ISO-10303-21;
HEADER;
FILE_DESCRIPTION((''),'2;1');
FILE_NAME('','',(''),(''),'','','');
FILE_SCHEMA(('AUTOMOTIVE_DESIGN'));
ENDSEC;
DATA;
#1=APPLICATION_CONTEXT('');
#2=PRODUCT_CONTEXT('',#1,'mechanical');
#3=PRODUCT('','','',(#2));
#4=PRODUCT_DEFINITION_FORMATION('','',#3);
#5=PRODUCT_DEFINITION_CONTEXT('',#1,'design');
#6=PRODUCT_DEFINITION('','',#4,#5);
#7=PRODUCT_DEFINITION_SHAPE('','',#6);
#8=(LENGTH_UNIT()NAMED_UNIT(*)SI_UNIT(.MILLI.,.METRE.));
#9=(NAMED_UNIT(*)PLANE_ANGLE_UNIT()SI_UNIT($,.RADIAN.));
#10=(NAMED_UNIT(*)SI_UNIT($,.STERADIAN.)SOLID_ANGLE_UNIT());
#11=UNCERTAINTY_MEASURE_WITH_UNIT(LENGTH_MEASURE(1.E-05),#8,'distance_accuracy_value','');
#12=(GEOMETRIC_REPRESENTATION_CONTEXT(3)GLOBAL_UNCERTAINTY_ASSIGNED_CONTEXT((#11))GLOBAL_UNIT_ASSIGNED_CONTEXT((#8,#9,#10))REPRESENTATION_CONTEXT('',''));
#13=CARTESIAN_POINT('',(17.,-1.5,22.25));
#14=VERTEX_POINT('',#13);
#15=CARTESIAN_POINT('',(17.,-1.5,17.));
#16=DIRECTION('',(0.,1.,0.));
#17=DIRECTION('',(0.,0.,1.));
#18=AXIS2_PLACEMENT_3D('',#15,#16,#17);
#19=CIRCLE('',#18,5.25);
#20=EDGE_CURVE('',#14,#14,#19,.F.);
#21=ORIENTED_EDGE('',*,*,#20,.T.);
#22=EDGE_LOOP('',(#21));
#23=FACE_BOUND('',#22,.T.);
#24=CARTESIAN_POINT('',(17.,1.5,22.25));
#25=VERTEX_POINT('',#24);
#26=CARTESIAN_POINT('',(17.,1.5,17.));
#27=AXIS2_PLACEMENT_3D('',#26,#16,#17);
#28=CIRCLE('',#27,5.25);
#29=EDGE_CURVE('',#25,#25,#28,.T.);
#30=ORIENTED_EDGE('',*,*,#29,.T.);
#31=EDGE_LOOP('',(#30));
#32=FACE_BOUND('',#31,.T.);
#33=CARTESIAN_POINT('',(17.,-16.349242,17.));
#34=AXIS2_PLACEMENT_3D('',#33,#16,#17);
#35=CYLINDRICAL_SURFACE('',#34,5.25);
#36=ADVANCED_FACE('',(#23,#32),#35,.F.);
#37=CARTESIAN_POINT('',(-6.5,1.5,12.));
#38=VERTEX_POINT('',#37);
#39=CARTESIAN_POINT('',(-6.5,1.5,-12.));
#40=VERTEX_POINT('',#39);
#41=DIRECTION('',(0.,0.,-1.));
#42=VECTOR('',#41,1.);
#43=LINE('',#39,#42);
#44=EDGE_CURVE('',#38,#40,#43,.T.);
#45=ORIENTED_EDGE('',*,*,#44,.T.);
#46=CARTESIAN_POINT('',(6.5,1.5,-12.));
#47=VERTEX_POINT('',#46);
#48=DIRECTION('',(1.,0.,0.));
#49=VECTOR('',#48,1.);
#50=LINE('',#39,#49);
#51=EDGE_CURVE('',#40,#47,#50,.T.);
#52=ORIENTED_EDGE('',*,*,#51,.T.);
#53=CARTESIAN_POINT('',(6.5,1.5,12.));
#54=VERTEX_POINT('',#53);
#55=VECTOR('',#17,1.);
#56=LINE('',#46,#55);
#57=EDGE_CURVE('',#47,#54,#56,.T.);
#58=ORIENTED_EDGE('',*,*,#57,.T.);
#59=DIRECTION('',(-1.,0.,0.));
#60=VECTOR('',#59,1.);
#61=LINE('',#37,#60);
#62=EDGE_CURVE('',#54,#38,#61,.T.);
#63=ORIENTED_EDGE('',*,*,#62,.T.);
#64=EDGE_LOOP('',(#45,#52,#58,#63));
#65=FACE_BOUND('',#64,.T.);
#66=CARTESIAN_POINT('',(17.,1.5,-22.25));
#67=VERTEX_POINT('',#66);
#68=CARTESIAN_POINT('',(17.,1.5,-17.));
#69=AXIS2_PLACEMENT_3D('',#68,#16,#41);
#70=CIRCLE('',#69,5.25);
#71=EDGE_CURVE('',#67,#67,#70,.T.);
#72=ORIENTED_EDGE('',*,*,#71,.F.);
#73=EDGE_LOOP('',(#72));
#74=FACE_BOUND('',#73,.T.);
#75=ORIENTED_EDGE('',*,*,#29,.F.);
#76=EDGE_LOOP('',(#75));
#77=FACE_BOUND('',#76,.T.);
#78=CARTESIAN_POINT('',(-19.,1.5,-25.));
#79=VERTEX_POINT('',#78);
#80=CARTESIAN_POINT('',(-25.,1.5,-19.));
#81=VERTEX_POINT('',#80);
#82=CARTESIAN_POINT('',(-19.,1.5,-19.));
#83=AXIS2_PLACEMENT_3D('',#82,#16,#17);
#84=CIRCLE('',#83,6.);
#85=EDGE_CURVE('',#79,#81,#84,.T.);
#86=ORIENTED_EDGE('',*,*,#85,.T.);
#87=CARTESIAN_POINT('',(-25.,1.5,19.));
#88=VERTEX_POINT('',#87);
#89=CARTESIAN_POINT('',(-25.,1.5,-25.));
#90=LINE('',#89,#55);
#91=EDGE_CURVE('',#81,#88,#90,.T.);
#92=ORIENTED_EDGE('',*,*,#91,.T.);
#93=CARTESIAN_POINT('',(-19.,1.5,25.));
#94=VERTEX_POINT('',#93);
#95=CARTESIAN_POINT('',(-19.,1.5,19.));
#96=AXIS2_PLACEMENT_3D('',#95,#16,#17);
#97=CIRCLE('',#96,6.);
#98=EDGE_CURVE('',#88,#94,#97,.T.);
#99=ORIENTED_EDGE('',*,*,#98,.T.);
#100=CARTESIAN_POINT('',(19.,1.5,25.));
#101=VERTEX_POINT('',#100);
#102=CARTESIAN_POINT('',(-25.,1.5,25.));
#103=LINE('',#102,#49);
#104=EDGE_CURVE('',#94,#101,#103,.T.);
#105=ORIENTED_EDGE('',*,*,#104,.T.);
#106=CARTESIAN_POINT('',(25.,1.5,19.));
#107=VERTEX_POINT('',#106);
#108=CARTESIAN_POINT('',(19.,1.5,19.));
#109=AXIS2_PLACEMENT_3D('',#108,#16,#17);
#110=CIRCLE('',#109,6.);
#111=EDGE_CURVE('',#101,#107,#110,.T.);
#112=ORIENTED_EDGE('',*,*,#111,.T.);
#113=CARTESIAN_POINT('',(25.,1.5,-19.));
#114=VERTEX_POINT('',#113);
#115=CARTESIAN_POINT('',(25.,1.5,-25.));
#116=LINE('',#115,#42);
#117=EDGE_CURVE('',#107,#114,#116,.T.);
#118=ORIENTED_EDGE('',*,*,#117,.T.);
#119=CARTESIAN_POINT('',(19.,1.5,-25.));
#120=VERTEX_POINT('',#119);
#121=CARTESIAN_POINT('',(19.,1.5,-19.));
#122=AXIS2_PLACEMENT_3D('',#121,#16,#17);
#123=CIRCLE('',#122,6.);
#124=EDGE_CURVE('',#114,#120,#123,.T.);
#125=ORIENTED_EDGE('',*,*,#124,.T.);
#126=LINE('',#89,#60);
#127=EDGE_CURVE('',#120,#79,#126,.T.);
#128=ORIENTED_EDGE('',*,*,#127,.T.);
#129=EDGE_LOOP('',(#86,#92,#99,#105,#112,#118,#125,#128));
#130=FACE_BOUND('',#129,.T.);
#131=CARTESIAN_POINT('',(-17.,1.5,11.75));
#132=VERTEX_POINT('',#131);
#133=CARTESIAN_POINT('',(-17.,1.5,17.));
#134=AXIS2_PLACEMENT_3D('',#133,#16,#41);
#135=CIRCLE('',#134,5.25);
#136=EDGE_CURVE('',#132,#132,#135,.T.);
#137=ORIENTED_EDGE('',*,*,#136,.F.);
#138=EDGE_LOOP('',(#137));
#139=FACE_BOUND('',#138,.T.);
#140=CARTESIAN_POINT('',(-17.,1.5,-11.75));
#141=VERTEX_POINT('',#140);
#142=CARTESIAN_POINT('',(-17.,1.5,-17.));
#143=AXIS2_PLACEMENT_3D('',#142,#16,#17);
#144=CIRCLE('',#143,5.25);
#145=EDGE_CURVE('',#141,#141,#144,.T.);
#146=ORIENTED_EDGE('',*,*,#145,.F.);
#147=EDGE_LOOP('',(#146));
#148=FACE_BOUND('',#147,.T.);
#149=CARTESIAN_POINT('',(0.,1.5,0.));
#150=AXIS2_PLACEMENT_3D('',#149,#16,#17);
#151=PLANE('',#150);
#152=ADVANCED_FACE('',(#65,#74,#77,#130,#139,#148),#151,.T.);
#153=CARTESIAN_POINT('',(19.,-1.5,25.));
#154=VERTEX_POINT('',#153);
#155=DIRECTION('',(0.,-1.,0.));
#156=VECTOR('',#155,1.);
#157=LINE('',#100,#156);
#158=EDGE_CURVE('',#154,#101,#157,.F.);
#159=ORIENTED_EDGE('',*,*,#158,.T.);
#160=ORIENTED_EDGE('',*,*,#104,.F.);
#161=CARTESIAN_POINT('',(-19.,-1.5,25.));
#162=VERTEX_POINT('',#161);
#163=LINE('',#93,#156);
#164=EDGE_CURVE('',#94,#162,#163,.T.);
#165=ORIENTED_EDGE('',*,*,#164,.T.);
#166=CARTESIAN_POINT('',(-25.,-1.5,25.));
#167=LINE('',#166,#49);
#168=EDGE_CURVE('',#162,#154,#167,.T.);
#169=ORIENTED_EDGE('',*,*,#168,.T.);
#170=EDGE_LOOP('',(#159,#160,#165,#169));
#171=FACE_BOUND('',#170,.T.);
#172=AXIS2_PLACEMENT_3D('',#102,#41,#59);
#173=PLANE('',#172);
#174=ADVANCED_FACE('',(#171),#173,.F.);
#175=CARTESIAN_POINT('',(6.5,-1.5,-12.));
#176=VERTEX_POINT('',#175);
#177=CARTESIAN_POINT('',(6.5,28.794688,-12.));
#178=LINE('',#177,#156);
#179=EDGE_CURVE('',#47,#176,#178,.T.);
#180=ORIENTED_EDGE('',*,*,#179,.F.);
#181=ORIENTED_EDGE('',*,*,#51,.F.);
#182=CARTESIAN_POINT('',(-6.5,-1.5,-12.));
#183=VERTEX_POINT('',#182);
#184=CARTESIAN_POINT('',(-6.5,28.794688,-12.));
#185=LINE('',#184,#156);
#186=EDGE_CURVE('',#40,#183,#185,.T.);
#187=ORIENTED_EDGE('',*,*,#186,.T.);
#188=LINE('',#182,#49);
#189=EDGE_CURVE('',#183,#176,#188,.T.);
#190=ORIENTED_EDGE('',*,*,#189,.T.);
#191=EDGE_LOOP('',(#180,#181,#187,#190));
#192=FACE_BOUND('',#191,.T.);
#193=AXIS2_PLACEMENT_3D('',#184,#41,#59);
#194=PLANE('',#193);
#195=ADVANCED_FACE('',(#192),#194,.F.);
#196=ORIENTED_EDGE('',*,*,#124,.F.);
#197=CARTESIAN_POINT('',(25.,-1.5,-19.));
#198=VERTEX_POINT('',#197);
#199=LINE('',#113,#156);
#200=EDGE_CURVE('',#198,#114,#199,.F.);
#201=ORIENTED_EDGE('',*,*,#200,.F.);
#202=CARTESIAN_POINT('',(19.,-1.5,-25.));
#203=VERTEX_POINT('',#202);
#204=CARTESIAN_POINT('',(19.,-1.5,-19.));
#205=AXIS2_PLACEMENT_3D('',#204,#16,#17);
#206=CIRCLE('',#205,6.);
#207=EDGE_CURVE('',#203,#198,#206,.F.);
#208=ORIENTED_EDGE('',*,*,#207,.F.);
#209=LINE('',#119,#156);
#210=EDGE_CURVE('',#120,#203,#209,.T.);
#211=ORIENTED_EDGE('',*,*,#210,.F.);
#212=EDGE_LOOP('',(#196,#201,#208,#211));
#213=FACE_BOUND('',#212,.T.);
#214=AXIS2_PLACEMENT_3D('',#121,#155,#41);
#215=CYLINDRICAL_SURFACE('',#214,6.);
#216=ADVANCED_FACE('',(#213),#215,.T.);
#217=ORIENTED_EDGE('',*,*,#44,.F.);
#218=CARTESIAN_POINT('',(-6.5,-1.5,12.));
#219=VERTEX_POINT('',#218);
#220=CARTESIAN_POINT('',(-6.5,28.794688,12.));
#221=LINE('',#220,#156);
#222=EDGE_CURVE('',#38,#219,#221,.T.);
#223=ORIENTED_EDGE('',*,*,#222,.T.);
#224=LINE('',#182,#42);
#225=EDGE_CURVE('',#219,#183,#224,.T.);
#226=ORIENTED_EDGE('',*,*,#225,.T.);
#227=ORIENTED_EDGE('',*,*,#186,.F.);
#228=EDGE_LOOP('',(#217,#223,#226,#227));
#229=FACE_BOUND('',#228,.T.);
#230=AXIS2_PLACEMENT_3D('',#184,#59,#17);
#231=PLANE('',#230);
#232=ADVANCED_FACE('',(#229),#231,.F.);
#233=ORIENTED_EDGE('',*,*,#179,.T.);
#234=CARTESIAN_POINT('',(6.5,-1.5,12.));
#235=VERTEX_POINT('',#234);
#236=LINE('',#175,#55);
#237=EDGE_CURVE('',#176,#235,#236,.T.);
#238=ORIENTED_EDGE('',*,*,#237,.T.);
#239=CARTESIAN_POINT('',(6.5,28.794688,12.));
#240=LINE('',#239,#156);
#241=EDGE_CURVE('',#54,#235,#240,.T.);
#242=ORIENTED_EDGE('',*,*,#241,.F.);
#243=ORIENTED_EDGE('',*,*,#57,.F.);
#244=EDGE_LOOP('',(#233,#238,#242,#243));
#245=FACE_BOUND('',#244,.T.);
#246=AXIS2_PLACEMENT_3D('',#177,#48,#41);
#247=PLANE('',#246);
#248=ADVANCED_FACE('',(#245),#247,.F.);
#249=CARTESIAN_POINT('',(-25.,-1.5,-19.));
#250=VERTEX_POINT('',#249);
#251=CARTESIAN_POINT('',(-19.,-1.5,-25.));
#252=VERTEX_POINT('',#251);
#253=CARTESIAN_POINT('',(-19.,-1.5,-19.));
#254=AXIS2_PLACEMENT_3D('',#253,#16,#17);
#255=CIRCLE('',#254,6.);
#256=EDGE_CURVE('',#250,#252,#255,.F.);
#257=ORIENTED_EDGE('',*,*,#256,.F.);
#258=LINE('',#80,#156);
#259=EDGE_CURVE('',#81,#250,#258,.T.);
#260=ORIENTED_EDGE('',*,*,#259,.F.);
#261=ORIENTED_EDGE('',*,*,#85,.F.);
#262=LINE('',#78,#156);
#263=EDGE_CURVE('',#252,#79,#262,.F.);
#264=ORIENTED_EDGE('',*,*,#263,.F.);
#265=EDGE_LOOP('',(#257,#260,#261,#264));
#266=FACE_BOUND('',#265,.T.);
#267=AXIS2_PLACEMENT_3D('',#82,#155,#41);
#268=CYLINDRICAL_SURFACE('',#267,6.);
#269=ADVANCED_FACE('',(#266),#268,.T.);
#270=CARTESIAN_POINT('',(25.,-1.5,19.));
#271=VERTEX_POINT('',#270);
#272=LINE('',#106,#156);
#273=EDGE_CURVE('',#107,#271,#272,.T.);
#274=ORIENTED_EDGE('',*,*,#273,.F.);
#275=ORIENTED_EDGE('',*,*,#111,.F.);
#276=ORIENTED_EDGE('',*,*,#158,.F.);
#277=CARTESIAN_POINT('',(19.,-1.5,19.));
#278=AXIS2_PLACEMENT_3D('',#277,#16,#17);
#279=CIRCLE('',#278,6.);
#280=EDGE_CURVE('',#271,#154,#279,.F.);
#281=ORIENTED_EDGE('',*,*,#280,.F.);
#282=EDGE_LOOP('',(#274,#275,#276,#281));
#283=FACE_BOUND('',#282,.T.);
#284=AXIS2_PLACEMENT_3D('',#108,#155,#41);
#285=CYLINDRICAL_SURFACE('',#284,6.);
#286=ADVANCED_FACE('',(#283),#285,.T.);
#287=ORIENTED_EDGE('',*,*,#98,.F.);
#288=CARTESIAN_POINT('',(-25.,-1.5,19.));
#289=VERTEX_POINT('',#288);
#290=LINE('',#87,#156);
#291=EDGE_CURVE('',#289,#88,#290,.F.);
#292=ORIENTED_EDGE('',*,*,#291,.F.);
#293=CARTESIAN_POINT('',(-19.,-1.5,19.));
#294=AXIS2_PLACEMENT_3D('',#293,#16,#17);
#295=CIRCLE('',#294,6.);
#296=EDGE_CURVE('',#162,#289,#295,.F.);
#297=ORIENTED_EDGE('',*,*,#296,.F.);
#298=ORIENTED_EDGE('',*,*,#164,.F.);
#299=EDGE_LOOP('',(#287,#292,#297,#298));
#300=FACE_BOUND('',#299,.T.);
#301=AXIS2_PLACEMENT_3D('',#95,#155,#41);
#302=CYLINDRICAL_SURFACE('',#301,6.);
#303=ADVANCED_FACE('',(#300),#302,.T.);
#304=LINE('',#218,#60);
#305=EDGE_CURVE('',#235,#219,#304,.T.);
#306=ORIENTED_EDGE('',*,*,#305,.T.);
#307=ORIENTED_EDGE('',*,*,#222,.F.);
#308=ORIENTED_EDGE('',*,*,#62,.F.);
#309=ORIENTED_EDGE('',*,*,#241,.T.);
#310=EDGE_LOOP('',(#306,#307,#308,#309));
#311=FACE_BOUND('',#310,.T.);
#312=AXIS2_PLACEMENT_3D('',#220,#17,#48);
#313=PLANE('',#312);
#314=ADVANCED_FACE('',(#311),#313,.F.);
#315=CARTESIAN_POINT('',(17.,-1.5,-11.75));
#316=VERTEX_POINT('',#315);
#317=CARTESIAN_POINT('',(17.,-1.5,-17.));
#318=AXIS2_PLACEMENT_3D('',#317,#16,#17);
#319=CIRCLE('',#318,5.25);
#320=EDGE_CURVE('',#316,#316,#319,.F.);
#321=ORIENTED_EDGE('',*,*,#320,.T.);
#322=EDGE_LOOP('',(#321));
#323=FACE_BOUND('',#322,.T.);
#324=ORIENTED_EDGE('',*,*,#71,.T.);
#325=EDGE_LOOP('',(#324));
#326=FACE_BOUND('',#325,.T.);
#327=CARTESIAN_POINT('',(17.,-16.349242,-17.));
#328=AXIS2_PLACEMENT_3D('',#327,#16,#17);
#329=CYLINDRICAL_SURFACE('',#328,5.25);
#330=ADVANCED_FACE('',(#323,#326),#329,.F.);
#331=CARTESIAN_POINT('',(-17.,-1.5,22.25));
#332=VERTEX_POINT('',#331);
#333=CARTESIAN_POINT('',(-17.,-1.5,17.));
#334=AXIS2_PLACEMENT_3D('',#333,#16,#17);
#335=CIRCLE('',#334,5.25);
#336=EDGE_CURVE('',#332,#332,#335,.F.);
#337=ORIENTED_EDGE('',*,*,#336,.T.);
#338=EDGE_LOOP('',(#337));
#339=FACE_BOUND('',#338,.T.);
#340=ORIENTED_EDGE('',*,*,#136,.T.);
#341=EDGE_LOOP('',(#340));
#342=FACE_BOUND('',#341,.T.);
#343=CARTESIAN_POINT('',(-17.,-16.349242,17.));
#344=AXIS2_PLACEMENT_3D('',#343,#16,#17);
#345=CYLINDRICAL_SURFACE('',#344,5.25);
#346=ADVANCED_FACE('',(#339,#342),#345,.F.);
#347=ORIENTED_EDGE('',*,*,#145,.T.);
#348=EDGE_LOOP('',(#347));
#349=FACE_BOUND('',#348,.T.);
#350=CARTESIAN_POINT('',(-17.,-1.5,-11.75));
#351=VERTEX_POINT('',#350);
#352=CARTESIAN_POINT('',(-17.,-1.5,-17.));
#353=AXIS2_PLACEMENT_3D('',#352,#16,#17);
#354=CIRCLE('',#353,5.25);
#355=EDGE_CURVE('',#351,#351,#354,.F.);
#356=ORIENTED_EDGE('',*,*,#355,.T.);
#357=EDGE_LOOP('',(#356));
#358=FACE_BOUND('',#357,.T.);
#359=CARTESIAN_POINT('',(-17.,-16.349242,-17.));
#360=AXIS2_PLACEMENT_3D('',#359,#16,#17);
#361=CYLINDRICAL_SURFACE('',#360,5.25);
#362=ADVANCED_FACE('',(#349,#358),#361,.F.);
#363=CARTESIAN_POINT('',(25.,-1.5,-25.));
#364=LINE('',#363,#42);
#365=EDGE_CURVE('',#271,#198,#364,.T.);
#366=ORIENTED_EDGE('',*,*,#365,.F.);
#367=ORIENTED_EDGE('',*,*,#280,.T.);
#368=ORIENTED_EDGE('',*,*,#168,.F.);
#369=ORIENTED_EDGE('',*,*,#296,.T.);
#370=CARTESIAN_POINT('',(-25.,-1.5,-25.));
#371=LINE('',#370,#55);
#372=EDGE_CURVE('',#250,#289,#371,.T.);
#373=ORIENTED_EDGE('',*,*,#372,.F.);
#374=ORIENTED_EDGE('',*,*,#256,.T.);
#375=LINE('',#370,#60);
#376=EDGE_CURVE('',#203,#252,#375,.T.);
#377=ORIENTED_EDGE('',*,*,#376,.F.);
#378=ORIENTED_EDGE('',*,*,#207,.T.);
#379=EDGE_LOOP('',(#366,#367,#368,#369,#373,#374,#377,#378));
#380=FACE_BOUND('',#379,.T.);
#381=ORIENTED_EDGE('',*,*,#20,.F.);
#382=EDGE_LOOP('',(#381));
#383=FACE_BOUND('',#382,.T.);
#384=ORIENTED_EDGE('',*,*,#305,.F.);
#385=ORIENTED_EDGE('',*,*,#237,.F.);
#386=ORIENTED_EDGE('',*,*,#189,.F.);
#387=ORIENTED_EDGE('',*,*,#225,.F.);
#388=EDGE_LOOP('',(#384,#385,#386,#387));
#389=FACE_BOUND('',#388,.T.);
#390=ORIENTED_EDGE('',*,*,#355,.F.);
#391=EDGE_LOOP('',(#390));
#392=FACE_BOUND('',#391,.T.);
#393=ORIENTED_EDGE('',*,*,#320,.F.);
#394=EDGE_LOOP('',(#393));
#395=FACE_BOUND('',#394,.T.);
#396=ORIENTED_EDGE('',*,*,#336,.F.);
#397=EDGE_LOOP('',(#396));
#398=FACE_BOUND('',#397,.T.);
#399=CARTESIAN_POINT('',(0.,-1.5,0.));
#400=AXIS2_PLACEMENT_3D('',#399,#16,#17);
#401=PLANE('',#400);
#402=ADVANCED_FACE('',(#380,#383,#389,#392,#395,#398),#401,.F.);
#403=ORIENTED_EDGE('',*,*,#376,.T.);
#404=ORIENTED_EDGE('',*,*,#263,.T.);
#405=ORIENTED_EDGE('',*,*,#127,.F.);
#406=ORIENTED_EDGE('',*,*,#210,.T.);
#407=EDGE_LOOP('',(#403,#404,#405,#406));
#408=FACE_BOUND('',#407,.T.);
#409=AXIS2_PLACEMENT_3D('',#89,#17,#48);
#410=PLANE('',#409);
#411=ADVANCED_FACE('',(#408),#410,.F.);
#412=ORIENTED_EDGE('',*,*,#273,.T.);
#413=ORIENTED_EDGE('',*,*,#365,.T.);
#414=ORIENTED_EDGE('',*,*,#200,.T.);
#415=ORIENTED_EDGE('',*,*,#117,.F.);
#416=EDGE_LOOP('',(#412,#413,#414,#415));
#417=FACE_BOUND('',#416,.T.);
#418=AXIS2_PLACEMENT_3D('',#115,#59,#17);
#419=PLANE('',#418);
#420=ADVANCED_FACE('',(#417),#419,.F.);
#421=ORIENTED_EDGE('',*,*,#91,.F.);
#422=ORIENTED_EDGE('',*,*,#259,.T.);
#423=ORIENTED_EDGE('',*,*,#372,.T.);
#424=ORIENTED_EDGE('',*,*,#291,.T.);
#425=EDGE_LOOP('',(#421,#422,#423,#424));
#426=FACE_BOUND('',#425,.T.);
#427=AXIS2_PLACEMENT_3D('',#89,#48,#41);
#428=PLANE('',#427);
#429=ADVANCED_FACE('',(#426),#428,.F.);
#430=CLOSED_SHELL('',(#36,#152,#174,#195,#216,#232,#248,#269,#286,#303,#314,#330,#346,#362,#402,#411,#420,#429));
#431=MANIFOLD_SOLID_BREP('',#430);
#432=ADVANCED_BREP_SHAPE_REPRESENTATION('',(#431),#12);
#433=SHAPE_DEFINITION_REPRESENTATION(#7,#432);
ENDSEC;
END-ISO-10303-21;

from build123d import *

# Parameters (mm, degrees)
SKETCH1_W           = 50
SKETCH1_H           = 50
BOSS_EXTRUDE1_DEPTH = 1.5
SKETCH2_R           = 5.25
CUT_EXTRUDE1_DEPTH  = 3
FILLET1_R           = 6
SKETCH3_W           = 13
SKETCH3_H           = 24
CUT_EXTRUDE2_DEPTH  = 3


with BuildPart() as part:
    # Sketch1 → Boss-Extrude1 (new body, symmetric)
    with BuildSketch(Plane(origin=(0, 0, 0), x_dir=(1, 0, 0), z_dir=(0, 1, 0))):
        Rectangle(SKETCH1_W, SKETCH1_H)
    extrude(amount=BOSS_EXTRUDE1_DEPTH, both=True)

    # Sketch2 → Cut-Extrude1 (cut)
    with BuildSketch(Plane(origin=(0, 1.5, 0), x_dir=(1, 0, 0), z_dir=(0, 1, 0))):
        with Locations((17, -17)):
            Circle(SKETCH2_R)
        with Locations((-17, -17)):
            Circle(SKETCH2_R)
        with Locations((-17, 17)):
            Circle(SKETCH2_R)
        with Locations((17, 17)):
            Circle(SKETCH2_R)
    extrude(amount=-CUT_EXTRUDE1_DEPTH, mode=Mode.SUBTRACT)

    # Fillet1
    fillet1_edges = [part.edges().sort_by_distance(p)[0] for p in [
        (25, 0, 25),
        (-25, 0, 25),
        (-25, 0, -25),
        (25, 0, -25),
    ]]
    fillet(fillet1_edges, radius=FILLET1_R)

    # Sketch3 → Cut-Extrude2 (cut)
    with BuildSketch(Plane.XZ.offset(1.5)):
        Rectangle(SKETCH3_W, SKETCH3_H)
    extrude(amount=-CUT_EXTRUDE2_DEPTH, mode=Mode.SUBTRACT)


solid = part.part
